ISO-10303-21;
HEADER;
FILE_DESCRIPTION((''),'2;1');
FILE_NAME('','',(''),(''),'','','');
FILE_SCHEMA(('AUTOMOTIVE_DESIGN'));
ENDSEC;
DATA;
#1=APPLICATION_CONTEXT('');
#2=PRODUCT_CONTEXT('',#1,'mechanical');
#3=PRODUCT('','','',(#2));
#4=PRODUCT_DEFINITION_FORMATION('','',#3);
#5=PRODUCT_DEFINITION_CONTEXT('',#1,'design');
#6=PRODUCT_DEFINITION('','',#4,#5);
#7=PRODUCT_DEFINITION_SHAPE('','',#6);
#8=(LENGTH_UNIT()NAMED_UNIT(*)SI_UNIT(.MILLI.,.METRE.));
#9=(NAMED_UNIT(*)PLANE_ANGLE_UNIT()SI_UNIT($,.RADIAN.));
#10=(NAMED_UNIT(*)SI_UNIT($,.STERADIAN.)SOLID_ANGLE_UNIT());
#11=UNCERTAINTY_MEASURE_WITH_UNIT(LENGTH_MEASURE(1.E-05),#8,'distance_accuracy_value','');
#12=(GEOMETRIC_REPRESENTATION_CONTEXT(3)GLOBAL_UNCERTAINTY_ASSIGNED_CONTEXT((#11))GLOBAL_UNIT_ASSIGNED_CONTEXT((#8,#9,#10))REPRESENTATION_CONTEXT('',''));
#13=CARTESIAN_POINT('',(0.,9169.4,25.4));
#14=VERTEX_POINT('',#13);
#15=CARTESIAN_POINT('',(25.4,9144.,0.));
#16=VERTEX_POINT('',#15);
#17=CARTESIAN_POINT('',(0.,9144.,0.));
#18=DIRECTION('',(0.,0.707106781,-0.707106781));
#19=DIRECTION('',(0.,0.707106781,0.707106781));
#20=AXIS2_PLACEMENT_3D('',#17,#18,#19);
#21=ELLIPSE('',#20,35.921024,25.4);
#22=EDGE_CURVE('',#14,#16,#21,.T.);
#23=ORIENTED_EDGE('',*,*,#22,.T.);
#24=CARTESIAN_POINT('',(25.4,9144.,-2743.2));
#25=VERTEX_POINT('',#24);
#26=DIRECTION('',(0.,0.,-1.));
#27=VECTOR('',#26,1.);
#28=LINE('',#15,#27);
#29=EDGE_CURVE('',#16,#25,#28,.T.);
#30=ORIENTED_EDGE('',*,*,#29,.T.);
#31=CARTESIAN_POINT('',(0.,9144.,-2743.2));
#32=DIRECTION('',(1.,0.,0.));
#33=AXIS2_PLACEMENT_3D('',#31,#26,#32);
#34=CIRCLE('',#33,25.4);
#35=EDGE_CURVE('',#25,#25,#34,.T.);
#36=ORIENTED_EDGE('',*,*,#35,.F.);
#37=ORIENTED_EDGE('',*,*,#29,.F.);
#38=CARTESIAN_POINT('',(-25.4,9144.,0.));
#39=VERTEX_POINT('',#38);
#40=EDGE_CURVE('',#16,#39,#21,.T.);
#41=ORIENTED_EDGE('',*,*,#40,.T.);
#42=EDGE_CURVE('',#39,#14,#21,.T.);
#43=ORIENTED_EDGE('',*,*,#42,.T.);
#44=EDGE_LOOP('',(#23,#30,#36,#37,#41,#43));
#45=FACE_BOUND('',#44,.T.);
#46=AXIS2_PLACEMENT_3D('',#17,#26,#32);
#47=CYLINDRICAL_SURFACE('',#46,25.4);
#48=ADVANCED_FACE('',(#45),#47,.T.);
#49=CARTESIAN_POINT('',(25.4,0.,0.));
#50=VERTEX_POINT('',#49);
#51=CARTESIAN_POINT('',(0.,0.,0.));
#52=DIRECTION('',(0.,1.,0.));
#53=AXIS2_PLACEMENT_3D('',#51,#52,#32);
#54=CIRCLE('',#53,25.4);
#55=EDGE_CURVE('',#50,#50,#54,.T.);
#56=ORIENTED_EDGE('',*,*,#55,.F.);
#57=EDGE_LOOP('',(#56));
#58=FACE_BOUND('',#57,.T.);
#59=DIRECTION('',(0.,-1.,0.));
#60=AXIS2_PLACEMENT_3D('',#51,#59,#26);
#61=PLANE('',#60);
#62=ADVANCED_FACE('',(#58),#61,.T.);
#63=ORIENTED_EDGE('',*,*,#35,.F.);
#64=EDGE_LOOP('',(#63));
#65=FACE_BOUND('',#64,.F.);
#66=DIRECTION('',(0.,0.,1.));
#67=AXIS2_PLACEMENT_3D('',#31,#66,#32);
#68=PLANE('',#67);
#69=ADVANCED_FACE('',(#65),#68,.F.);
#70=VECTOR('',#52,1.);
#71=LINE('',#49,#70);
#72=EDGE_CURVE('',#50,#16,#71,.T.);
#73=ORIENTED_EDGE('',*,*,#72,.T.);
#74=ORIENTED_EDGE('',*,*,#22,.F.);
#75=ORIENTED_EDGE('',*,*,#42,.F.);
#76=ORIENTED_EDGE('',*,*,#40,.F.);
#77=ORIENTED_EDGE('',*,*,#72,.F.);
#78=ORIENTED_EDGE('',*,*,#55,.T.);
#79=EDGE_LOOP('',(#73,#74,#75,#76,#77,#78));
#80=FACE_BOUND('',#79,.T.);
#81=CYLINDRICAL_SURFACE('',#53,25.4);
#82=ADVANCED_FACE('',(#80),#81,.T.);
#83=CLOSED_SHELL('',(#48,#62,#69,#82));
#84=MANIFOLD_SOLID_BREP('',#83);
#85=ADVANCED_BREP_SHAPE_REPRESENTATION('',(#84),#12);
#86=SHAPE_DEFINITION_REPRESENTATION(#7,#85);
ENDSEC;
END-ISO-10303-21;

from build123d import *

# Parameters (mm, degrees)
F0_R = 25.4


with BuildPart() as f2:
    # F2: sweep along a path in F1
    with BuildLine(Plane.YZ) as f2_path:
        Line((0, 0), (9144, 0))
        Line((9144, 0), (9144, -2743.2))
    # F0 (on Front) → F2 (sweep)
    with BuildSketch(Plane.XZ):
        Circle(F0_R)
    sweep(path=f2_path.line, transition=Transition.RIGHT)


solid = f2.part
